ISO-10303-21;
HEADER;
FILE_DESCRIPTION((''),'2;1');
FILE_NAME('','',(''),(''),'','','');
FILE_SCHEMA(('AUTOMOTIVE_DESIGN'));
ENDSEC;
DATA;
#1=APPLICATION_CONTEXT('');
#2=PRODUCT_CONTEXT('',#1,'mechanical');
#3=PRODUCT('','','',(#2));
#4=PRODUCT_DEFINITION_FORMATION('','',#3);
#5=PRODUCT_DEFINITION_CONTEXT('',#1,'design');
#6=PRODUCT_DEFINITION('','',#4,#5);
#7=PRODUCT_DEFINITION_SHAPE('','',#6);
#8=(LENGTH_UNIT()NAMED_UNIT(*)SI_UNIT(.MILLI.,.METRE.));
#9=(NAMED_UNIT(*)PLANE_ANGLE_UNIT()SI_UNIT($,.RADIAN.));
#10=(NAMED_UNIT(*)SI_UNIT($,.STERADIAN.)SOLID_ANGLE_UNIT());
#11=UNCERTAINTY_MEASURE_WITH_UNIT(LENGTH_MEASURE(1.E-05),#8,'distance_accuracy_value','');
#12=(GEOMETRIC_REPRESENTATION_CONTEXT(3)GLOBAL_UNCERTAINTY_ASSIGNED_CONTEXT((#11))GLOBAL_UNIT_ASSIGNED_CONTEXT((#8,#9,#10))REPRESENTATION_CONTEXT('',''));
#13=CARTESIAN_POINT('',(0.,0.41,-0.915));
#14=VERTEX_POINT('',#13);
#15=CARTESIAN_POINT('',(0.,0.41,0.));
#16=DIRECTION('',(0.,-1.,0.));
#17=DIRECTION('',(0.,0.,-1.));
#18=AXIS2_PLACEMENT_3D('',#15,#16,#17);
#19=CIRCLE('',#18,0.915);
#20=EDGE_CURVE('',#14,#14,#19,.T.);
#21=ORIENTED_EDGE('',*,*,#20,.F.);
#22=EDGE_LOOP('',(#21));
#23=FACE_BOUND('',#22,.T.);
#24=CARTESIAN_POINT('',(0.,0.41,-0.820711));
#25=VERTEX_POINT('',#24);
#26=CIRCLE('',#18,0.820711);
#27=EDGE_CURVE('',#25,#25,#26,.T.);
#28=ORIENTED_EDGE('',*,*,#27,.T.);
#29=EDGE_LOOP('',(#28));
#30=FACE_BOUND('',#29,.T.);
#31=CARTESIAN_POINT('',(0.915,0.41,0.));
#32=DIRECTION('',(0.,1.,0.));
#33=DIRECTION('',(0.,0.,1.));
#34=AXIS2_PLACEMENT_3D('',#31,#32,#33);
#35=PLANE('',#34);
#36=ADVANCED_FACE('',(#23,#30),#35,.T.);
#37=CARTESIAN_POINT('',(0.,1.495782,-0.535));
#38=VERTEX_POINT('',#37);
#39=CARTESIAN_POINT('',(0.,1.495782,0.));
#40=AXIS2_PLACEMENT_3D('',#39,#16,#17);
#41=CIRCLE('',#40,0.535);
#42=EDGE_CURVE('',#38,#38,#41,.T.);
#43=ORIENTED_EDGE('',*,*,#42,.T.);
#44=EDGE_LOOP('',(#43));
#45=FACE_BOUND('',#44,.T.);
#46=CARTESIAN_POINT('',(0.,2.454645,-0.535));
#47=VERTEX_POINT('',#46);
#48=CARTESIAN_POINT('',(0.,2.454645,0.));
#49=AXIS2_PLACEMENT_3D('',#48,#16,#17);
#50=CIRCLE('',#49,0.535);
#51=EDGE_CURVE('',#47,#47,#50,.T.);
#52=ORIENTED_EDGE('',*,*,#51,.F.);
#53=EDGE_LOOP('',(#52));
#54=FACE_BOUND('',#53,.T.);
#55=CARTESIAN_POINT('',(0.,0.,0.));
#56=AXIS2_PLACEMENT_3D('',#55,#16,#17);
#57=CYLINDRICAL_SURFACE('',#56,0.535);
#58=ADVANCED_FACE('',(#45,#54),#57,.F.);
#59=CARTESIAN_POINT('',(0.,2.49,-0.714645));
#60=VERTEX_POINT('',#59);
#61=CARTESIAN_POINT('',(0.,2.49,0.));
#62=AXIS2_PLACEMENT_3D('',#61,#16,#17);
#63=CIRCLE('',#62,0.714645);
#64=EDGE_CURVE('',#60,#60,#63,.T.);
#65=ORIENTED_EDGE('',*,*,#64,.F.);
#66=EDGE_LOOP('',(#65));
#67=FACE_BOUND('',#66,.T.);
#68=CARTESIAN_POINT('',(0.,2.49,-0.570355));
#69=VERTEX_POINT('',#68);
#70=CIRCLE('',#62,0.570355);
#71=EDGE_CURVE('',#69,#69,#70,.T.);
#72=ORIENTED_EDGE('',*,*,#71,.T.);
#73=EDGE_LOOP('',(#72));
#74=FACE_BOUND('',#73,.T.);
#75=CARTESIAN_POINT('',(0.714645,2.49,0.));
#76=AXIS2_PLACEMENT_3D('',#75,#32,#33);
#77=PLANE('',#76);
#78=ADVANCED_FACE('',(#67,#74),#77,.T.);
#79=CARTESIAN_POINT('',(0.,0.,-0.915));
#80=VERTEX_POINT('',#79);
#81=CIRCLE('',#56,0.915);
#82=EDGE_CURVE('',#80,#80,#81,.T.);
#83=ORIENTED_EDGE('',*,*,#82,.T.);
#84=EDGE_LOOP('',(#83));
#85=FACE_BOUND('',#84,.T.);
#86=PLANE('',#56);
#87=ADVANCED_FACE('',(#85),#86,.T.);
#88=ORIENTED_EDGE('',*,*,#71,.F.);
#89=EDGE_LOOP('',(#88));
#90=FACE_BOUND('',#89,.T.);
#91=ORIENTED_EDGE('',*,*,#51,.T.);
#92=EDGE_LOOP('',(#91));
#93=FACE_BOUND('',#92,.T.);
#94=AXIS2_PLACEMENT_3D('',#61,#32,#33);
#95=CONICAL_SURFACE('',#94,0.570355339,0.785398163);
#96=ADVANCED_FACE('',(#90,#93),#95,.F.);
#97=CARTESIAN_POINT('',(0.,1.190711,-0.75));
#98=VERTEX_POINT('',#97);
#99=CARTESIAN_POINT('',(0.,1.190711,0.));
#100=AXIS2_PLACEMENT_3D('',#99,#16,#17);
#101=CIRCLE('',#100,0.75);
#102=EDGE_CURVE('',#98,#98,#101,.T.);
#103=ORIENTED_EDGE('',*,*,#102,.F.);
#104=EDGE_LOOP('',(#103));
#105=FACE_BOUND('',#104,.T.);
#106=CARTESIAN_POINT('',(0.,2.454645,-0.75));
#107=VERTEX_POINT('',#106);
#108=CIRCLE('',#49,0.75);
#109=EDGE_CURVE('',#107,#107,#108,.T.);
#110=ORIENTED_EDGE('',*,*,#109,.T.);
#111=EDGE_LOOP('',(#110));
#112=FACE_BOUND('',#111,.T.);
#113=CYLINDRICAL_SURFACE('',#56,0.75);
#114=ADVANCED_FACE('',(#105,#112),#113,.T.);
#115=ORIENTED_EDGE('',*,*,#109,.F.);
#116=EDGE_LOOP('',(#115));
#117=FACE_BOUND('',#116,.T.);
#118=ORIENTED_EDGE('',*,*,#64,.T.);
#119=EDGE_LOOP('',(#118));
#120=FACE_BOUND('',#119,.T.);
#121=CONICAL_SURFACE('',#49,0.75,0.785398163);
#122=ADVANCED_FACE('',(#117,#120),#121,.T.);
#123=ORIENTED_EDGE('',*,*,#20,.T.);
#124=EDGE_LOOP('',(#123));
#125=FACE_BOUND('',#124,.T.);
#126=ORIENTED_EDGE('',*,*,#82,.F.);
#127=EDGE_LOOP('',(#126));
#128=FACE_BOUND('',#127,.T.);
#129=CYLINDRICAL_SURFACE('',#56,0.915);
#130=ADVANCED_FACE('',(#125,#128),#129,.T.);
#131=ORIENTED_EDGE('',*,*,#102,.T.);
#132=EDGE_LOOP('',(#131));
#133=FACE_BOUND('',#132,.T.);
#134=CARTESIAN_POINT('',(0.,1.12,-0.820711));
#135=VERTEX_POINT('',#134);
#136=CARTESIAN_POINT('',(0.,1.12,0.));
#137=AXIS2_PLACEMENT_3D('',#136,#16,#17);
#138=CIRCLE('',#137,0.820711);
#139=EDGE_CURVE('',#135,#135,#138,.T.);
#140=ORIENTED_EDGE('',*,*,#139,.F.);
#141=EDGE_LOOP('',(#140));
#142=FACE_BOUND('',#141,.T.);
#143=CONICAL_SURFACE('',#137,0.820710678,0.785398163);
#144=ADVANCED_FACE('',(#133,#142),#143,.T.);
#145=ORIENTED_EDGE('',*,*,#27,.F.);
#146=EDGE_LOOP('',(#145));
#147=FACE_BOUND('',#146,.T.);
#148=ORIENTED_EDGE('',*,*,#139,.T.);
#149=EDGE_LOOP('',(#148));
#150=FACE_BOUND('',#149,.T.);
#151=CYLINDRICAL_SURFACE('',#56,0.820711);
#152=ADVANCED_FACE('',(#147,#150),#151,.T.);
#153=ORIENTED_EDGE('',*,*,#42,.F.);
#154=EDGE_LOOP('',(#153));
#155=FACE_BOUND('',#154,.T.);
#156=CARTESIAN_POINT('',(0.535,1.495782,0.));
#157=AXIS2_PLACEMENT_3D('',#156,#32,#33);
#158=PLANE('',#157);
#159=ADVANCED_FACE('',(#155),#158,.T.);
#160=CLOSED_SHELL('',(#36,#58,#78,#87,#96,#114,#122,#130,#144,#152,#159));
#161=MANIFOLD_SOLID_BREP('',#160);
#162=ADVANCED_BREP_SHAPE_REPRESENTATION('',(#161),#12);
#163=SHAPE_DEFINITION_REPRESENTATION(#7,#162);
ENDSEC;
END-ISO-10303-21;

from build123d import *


with BuildPart() as part:
    # Эскиз1 → Повернуть1 (revolve)
    with BuildSketch(Plane.XY, mode=Mode.PRIVATE) as revolve_1_sk:
        Polygon((0, 0), (0.915, 0), (0.915, 0.41), (0.820710678, 0.41), (0.820710678, 1.12), (0.75, 1.190710678), (0.75, 2.454644661), (0.714644661, 2.49), (0.570355339, 2.49), (0.535, 2.454644661), (0.535, 1.495781623), (0, 1.495781623), align=None)
    revolve(revolve_1_sk.sketch.rotate(Axis((0, 0, 0), (0, 1, 0)), 90), axis=Axis((0, 0, 0), (0, 1, 0)))


solid = part.part
